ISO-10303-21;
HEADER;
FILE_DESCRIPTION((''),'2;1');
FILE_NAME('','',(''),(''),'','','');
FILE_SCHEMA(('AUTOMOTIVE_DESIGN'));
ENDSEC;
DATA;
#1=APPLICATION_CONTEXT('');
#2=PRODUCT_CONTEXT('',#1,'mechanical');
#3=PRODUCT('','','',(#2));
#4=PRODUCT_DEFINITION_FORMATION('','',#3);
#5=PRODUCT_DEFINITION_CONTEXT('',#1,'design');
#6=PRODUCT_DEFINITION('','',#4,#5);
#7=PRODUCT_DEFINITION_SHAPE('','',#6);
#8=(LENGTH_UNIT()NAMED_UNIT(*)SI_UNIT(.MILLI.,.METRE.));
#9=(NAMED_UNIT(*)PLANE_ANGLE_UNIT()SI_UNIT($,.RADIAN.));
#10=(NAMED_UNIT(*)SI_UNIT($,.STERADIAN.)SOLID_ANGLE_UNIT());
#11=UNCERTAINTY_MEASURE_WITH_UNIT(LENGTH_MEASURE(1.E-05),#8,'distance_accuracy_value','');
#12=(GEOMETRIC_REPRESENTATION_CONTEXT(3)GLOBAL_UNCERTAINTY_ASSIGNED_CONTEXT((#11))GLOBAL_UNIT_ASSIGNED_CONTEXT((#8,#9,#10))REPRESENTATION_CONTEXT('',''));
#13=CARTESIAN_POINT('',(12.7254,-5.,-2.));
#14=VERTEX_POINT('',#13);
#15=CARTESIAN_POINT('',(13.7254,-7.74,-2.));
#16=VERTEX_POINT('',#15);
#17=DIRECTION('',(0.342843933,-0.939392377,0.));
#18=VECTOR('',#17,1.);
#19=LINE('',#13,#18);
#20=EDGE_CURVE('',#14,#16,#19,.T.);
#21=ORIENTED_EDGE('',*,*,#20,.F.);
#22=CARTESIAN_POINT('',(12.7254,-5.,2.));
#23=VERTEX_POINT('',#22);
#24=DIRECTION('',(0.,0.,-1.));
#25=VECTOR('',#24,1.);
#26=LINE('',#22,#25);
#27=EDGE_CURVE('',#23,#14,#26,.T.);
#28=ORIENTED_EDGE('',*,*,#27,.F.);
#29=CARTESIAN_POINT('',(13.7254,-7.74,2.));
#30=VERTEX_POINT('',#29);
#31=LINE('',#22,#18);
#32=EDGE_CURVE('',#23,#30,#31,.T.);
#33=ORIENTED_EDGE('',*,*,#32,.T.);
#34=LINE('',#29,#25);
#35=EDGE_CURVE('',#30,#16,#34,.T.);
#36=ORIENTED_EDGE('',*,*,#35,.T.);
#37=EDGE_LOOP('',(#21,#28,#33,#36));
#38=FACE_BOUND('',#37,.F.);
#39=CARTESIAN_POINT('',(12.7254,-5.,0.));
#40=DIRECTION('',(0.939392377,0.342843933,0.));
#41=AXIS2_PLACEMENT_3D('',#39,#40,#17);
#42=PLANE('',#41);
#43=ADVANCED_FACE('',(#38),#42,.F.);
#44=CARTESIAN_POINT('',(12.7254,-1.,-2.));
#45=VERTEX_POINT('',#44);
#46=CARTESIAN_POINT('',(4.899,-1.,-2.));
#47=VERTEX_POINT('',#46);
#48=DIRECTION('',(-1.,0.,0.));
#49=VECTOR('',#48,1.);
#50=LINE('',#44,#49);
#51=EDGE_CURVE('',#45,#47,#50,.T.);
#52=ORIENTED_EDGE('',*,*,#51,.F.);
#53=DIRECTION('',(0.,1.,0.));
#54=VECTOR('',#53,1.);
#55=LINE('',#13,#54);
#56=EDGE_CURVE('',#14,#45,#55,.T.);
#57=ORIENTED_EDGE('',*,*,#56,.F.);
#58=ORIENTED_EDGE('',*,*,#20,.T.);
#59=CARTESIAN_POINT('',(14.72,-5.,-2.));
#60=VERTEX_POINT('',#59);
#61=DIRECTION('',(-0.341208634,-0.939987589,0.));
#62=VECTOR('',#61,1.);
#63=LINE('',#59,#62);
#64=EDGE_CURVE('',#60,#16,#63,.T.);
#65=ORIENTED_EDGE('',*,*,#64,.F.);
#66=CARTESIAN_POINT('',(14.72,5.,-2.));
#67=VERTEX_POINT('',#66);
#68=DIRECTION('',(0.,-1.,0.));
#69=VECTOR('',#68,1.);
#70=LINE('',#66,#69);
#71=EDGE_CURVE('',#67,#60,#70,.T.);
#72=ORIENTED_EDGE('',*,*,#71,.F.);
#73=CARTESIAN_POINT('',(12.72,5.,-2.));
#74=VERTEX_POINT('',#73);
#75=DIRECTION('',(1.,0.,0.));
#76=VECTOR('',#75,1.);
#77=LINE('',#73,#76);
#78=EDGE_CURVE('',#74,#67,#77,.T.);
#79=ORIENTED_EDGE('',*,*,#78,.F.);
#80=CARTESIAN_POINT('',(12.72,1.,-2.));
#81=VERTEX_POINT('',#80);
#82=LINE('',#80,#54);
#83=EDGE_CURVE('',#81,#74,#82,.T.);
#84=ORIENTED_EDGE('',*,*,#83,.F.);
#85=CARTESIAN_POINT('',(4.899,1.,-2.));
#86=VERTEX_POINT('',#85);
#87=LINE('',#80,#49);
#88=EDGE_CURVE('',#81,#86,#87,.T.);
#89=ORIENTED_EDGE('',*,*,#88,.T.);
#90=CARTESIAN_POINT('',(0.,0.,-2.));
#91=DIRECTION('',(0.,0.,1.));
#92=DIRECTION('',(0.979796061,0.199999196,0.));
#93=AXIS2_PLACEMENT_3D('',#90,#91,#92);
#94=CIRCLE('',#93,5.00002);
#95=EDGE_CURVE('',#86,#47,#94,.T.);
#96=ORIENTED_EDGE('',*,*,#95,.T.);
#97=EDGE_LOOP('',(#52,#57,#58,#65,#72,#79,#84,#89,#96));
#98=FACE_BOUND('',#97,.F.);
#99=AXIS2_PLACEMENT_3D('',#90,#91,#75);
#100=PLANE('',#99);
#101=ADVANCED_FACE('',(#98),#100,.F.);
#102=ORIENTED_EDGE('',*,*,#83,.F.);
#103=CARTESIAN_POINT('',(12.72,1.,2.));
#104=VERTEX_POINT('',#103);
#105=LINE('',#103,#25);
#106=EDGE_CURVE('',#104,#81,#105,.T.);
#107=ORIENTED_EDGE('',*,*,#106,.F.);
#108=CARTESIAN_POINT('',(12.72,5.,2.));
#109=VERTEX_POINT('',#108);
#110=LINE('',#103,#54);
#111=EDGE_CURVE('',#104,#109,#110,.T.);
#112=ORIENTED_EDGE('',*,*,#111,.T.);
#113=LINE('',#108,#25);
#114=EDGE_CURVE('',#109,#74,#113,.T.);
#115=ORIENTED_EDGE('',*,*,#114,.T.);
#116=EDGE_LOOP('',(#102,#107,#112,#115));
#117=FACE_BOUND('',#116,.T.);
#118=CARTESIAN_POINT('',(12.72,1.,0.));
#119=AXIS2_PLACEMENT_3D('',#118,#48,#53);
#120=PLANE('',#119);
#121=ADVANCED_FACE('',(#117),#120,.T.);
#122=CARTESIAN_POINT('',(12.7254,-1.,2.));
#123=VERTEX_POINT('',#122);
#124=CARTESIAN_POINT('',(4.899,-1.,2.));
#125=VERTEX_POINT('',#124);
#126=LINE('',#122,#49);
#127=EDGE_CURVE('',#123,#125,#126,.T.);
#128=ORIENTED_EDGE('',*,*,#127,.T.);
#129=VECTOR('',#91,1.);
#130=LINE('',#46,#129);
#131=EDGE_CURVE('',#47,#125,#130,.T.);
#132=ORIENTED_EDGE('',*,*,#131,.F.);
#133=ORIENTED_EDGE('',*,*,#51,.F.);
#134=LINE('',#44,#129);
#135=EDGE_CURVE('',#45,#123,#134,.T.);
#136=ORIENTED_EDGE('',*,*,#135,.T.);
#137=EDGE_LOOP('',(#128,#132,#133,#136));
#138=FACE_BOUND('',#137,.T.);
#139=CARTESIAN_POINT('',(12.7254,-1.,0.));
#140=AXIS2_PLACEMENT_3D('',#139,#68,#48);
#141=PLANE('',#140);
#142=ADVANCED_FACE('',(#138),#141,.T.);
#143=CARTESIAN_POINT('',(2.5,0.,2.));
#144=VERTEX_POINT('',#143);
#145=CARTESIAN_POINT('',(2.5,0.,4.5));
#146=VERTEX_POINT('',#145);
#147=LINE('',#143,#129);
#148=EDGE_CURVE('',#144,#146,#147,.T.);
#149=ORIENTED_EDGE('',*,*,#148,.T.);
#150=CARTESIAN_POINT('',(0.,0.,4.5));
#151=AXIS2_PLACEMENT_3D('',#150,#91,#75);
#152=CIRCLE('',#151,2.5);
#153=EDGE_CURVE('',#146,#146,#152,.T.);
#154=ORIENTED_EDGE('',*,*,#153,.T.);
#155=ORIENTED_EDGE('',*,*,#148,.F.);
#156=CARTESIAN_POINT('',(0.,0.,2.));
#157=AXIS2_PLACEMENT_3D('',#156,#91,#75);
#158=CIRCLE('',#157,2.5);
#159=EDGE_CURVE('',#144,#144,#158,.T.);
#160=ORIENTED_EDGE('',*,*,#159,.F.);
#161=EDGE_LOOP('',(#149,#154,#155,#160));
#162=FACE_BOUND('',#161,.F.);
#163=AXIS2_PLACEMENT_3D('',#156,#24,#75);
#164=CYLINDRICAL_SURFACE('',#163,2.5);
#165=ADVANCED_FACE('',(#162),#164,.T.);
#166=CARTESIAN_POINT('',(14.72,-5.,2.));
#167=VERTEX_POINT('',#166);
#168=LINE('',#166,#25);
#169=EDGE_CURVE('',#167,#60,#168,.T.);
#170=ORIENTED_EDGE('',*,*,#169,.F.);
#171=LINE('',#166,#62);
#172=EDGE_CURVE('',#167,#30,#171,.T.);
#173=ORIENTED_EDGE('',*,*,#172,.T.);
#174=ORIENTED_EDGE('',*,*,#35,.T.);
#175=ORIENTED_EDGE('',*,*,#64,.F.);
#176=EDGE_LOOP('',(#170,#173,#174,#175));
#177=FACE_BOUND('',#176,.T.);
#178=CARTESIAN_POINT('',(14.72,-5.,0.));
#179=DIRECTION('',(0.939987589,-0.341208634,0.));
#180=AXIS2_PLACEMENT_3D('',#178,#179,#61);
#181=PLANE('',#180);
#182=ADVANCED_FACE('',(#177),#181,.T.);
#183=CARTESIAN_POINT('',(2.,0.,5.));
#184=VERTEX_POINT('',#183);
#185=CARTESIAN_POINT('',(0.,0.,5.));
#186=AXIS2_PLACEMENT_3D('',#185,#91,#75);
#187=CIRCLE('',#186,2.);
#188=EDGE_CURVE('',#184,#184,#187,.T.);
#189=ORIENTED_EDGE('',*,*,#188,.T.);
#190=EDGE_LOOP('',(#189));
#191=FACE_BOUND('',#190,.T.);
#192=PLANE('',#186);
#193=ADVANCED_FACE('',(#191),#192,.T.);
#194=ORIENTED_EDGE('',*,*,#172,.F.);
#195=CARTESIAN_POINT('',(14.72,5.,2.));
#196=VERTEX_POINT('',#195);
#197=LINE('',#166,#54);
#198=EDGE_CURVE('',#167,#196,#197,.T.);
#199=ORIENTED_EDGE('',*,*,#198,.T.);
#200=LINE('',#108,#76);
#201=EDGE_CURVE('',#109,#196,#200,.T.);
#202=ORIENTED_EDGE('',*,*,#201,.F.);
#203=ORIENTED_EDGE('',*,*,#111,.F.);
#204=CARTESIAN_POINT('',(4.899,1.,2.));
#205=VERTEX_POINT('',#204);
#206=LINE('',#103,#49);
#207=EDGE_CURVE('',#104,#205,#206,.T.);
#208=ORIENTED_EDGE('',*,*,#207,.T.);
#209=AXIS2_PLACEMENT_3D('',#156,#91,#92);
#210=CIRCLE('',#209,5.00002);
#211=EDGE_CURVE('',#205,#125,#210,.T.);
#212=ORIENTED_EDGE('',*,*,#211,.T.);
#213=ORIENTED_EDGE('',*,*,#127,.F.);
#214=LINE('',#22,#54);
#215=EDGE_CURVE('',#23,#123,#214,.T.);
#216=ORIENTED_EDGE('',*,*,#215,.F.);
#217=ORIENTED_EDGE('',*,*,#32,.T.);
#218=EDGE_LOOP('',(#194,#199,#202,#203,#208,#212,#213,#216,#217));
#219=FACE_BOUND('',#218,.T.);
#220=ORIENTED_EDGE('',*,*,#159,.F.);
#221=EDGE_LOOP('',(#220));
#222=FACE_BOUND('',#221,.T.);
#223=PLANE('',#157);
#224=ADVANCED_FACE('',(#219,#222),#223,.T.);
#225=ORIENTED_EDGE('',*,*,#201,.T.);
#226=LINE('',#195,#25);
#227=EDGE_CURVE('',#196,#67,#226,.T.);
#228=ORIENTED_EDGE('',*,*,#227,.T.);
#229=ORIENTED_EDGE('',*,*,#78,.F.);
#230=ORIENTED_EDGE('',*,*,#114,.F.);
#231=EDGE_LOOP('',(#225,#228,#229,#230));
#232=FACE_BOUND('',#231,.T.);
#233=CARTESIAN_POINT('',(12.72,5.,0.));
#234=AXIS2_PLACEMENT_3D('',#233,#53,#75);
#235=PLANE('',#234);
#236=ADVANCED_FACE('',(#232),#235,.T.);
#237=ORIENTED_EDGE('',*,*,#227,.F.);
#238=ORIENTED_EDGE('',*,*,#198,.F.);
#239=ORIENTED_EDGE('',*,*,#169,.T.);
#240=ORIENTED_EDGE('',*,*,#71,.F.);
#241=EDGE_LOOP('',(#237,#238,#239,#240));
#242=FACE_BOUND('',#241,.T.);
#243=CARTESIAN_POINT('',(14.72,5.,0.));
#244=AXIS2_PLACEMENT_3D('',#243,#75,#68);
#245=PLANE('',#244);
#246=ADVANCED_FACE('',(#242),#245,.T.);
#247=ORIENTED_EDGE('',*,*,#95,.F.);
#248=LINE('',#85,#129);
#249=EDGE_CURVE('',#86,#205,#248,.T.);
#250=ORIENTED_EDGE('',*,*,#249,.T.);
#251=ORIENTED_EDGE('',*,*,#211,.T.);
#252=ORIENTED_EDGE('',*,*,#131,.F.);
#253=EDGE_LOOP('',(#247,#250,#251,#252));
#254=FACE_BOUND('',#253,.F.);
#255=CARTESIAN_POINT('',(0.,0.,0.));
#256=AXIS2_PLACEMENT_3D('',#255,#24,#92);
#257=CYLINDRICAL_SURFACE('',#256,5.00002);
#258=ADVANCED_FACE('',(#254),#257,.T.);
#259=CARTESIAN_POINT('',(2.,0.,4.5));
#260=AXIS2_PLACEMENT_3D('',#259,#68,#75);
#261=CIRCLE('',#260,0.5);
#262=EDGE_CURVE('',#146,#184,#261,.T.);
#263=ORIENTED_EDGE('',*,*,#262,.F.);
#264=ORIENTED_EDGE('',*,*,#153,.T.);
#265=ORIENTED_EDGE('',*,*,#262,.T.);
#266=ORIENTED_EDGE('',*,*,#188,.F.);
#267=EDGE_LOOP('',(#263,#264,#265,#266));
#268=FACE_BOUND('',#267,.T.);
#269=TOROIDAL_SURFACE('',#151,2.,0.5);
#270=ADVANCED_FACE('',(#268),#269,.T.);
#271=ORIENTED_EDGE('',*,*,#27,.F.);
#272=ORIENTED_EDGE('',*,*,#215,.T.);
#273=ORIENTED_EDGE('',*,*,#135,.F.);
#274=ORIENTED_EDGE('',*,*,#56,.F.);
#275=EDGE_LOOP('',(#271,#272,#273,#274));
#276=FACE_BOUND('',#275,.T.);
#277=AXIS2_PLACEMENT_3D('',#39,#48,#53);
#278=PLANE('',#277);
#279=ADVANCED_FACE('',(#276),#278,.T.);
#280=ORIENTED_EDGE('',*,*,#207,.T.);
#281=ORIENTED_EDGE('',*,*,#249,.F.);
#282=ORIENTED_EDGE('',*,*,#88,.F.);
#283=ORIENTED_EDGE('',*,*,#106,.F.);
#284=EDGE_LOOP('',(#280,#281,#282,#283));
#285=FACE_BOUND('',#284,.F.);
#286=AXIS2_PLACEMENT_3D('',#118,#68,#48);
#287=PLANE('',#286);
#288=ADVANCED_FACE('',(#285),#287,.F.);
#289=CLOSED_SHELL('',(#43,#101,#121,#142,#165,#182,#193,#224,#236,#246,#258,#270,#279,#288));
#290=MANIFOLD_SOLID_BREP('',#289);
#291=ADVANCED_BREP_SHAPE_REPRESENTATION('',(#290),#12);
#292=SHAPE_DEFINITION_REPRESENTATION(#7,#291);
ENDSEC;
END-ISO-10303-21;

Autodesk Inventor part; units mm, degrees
ref_plane "YZ Plane" through (0, 0, 0) normal (1, 0, 0) x (0, 1, 0)
ref_plane "XZ Plane" through (0, 0, 0) normal (0, 1, 0) x (-1, 0, 0)
ref_plane "XY Plane" through (0, 0, 0) normal (0, 0, 1) x (1, 0, 0)
sketch "Esboço1" plane through (0, 0, 0) normal (0, 0, 1) x (1, 0, 0)
  arc A0 (4.899, 1) -> (4.899, -1) centre (0, 0) ccw
  line L0 (14.72, 0) -> (14.72, 1)
  line L1 (12.72, 1) -> (4.899, 1)
  line L2 (0, 0) -> (14.72, 0) construction
  line L3 (14.72, 0) -> (14.72, -1)
  line L4 (12.7254, -1) -> (4.899, -1)
  line L5 (12.72, 5) -> (14.72, 5)
  line L6 (14.72, 5) -> (14.72, -5)
  line L7 (14.72, -5) -> (12.7254, -5) construction
  line L8 (12.7254, -5) -> (12.7254, -1)
  line L9 (12.72, 1) -> (12.72, 5)
  line L10 (12.7254, -5) -> (13.7254, -7.74)
  line L11 (14.72, -5) -> (13.7254, -7.74)
  dimension "d9" = 10
  dimension "d10" = 1
  dimension "d11" = 1
  dimension "d13" = 2
  dimension "d14" = 10
  dimension "d15" = 4
  dimension "d16" = 4
  dimension "d18" = 40
  dimension "d19" = 2.74
extrude "Extrusão1" add sketch "Esboço1" along normal mid plane 4
sketch "Esboço2" plane through (0, 0, 2) normal (0, 0, 1) x (1, 0, 0)
  circle A0 centre (0, 0) radius 2.5
  dimension "d22" = 5
extrude "Extrusão2" add sketch "Esboço2" along normal blind 3
fillet "Arredondamento1" radius 0.5 1 edges at (-2.5, 0, 5)
properties part number "solda"
